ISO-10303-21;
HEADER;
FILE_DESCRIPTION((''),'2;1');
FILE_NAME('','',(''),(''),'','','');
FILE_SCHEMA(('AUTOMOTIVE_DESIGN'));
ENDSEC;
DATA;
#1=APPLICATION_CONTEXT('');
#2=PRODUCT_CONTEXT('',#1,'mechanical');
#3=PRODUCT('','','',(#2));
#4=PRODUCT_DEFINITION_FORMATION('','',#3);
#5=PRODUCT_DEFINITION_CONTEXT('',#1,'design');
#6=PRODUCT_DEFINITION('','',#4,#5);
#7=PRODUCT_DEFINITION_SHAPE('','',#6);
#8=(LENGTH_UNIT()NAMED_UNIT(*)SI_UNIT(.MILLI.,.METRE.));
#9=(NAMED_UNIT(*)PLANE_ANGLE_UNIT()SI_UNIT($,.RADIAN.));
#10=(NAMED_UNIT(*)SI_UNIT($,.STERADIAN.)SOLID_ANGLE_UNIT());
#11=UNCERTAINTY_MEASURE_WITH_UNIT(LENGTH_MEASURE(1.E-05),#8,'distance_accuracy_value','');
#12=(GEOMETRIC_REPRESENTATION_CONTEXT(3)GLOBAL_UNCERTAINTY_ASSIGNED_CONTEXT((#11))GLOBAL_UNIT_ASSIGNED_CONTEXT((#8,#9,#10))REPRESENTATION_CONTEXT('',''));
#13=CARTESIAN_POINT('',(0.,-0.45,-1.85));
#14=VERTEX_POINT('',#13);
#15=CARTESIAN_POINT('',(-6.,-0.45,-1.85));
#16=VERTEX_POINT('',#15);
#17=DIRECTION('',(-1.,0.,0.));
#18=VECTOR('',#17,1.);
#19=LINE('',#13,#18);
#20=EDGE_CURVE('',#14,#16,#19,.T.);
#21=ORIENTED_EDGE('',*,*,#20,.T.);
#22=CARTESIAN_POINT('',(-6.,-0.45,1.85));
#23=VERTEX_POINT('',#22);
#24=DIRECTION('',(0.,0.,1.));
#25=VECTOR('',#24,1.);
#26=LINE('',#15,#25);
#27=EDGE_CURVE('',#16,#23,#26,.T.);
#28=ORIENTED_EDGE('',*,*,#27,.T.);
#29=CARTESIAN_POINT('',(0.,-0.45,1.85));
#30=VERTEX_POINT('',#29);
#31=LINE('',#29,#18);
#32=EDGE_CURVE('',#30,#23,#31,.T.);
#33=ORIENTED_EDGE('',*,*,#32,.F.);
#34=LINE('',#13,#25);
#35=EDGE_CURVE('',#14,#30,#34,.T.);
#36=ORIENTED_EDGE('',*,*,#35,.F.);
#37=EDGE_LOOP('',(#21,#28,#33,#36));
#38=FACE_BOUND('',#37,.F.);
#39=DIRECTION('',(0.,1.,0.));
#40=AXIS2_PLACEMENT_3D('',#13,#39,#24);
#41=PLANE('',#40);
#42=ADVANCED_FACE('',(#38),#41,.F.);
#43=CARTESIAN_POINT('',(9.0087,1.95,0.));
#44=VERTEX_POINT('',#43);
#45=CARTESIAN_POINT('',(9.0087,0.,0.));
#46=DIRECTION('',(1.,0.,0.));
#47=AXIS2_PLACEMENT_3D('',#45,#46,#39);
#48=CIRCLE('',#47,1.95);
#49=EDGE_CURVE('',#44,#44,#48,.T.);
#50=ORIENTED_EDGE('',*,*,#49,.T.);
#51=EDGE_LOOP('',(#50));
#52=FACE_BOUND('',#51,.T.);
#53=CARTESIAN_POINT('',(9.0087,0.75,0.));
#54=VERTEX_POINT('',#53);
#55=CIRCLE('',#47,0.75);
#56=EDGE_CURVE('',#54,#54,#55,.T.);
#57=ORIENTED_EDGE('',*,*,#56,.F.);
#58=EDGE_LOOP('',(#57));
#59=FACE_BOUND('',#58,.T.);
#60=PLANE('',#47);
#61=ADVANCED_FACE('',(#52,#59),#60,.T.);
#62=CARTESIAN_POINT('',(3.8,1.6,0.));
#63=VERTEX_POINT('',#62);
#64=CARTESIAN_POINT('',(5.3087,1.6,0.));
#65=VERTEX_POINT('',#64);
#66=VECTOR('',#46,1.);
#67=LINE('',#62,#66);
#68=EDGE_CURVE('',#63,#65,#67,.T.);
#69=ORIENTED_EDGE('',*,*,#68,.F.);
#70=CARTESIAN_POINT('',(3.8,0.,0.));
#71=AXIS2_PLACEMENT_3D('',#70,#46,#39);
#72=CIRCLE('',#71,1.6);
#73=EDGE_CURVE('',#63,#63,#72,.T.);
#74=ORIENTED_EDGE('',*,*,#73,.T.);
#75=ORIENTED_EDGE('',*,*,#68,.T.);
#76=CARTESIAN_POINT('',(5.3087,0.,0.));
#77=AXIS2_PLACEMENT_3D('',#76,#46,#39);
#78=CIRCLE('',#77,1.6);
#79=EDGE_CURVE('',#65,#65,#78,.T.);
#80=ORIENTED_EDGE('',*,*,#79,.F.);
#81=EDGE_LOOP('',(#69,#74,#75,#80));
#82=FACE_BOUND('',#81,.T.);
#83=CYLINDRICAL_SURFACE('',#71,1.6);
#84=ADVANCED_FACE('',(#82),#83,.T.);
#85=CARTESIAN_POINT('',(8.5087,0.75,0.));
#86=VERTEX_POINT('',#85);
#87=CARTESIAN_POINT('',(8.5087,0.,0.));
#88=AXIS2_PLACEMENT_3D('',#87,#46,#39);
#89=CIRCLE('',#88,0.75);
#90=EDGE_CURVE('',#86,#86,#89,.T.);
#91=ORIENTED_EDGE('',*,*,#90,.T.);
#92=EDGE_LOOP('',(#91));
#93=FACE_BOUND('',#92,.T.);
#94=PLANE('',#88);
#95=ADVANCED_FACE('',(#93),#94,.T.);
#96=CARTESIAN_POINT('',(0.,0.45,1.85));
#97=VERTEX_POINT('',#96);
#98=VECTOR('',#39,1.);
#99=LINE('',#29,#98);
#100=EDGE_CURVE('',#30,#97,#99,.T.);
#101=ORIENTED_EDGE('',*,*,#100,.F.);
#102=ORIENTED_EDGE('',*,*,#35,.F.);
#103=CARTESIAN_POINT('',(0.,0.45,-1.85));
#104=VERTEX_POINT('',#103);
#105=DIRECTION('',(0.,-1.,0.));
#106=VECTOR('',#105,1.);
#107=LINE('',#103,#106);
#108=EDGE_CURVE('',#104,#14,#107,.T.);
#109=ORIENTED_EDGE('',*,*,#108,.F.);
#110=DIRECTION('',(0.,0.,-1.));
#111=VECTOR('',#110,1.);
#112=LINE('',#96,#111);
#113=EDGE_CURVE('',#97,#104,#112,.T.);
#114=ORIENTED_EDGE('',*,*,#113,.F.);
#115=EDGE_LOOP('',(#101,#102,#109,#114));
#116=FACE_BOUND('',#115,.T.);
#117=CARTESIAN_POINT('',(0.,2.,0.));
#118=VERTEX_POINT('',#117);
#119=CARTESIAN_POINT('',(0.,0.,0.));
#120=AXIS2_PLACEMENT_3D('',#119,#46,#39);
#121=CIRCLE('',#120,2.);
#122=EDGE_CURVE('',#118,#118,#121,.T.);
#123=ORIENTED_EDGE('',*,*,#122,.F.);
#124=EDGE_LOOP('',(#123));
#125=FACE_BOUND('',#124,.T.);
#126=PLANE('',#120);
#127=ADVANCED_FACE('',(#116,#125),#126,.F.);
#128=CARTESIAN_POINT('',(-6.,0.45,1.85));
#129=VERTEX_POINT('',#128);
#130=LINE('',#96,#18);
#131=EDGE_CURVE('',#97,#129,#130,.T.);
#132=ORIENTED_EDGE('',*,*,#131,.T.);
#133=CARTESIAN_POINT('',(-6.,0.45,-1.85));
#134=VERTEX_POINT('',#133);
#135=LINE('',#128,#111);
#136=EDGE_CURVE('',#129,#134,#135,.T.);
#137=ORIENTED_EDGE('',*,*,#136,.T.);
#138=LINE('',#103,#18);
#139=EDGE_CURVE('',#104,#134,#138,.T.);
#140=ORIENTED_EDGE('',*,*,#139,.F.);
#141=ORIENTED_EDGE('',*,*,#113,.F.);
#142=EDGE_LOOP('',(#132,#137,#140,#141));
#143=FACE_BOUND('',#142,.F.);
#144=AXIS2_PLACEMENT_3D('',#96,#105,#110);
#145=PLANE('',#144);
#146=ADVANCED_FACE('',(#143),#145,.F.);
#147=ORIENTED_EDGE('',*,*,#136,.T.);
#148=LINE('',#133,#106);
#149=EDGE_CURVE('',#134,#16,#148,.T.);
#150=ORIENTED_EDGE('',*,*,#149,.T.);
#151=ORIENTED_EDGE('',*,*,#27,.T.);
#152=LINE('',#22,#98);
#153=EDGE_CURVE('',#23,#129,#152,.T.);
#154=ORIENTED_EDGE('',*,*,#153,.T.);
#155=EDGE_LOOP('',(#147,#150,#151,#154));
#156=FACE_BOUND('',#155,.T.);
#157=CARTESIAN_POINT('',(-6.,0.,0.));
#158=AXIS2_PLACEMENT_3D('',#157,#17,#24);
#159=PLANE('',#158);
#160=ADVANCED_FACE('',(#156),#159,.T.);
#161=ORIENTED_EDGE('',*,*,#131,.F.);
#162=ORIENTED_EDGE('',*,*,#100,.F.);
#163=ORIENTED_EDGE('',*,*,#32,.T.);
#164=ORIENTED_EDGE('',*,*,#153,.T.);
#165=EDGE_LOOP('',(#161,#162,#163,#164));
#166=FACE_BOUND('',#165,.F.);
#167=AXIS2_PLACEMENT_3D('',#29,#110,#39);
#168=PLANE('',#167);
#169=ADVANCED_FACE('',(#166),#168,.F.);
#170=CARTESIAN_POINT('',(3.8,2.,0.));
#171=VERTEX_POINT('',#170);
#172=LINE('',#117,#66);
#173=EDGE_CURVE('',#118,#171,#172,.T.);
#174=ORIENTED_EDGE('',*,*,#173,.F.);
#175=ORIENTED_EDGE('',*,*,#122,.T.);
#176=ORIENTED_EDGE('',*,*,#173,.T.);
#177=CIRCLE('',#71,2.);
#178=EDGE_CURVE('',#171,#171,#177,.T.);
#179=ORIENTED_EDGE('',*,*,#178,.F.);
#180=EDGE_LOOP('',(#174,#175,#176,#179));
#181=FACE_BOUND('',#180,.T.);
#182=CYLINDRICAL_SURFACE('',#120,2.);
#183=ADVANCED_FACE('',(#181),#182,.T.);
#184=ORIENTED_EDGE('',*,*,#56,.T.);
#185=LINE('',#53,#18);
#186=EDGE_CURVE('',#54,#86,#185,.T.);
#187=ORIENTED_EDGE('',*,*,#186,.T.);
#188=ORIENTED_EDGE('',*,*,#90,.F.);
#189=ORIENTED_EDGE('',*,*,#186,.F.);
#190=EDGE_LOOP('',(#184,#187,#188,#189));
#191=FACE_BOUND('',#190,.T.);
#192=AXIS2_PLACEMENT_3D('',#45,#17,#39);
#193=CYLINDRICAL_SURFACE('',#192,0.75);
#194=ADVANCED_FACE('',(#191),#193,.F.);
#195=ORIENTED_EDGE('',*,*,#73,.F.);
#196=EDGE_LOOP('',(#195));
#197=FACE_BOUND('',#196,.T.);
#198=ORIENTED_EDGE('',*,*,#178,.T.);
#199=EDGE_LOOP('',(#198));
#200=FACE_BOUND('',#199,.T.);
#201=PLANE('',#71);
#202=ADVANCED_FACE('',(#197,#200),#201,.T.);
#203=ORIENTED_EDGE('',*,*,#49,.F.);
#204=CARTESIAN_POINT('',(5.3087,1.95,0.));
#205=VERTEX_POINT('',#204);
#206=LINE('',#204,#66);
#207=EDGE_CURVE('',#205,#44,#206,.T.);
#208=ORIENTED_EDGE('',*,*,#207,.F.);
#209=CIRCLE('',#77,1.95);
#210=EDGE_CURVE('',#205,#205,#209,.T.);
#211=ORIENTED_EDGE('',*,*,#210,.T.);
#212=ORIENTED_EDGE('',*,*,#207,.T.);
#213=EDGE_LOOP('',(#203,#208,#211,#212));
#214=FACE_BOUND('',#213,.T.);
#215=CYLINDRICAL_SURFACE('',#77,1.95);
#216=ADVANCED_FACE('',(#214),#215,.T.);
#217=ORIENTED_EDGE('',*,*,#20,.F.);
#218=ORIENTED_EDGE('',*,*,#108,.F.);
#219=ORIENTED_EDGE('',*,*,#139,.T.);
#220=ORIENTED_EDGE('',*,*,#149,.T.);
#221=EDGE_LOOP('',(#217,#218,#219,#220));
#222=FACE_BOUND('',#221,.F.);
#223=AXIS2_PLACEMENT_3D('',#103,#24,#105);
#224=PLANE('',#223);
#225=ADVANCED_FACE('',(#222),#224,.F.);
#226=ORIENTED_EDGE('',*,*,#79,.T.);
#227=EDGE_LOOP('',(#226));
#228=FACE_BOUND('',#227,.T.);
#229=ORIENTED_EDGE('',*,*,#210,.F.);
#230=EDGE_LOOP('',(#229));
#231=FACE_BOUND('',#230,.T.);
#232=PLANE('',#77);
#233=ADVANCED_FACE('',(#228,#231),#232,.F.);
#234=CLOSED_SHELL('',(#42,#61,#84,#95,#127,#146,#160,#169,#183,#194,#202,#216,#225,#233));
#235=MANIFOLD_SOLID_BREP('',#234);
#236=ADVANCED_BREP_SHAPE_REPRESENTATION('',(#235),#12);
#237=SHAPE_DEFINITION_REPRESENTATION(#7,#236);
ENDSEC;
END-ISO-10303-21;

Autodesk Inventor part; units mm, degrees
ref_plane "YZ Plane" through (0, 0, 0) normal (1, 0, 0) x (0, 1, 0)
ref_plane "XZ Plane" through (0, 0, 0) normal (0, 1, 0) x (-1, 0, 0)
ref_plane "XY Plane" through (0, 0, 0) normal (0, 0, 1) x (1, 0, 0)
sketch "Sketch1" plane through (0, 0, 0) normal (0, 0, 1) x (1, 0, 0)
  line L0 (0, 0) -> (9.0087, 0)
  line L1 (0, 0) -> (0, 2)
  line L2 (0, 2) -> (3.8, 2)
  line L3 (3.8, 2) -> (3.8, 1.6)
  line L4 (3.8, 1.6) -> (5.3087, 1.6)
  line L5 (5.3087, 1.6) -> (5.3087, 1.95)
  line L6 (5.3087, 1.95) -> (9.0087, 1.95)
  line L7 (9.0087, 1.95) -> (9.0087, 0.75)
  line L8 (9.0087, 0.75) -> (8.5087, 0.75)
  line L9 (8.5087, 0.75) -> (8.5087, 0)
  dimension "d0" = 4
  dimension "d1" = 3.9
  dimension "d2" = 3.8
  dimension "d3" = 3.7
  dimension "d5" = 3.2
  dimension "d10" = 1.5
  dimension "d11" = 0.5
revolve "Revolution1" add sketch "Sketch1" angle 360 about axis through (0, 0, 0) along (1, 0, 0)
sketch "Sketch2" plane through (0, 0, 0) normal (-1, 0, 0) x (0, 0, 1)
  line L0 (-1.85, -0.45) -> (1.85, -0.45)
  line L1 (1.85, -0.45) -> (1.85, 0.45)
  line L2 (1.85, 0.45) -> (-1.85, 0.45)
  line L3 (-1.85, 0.45) -> (-1.85, -0.45)
  line L4 (-1.85, -0.45) -> (1.85, 0.45) construction
  line L5 (1.85, -0.45) -> (-1.85, 0.45) construction
  point P0 (0, 0)
  dimension "d6" = 3.7
  dimension "d7" = 0.9
extrude "Extrusion1" add sketch "Sketch2" along normal blind 6
properties part number "laser_realpoo_4mm" material "Brass, Soft Yellow"
